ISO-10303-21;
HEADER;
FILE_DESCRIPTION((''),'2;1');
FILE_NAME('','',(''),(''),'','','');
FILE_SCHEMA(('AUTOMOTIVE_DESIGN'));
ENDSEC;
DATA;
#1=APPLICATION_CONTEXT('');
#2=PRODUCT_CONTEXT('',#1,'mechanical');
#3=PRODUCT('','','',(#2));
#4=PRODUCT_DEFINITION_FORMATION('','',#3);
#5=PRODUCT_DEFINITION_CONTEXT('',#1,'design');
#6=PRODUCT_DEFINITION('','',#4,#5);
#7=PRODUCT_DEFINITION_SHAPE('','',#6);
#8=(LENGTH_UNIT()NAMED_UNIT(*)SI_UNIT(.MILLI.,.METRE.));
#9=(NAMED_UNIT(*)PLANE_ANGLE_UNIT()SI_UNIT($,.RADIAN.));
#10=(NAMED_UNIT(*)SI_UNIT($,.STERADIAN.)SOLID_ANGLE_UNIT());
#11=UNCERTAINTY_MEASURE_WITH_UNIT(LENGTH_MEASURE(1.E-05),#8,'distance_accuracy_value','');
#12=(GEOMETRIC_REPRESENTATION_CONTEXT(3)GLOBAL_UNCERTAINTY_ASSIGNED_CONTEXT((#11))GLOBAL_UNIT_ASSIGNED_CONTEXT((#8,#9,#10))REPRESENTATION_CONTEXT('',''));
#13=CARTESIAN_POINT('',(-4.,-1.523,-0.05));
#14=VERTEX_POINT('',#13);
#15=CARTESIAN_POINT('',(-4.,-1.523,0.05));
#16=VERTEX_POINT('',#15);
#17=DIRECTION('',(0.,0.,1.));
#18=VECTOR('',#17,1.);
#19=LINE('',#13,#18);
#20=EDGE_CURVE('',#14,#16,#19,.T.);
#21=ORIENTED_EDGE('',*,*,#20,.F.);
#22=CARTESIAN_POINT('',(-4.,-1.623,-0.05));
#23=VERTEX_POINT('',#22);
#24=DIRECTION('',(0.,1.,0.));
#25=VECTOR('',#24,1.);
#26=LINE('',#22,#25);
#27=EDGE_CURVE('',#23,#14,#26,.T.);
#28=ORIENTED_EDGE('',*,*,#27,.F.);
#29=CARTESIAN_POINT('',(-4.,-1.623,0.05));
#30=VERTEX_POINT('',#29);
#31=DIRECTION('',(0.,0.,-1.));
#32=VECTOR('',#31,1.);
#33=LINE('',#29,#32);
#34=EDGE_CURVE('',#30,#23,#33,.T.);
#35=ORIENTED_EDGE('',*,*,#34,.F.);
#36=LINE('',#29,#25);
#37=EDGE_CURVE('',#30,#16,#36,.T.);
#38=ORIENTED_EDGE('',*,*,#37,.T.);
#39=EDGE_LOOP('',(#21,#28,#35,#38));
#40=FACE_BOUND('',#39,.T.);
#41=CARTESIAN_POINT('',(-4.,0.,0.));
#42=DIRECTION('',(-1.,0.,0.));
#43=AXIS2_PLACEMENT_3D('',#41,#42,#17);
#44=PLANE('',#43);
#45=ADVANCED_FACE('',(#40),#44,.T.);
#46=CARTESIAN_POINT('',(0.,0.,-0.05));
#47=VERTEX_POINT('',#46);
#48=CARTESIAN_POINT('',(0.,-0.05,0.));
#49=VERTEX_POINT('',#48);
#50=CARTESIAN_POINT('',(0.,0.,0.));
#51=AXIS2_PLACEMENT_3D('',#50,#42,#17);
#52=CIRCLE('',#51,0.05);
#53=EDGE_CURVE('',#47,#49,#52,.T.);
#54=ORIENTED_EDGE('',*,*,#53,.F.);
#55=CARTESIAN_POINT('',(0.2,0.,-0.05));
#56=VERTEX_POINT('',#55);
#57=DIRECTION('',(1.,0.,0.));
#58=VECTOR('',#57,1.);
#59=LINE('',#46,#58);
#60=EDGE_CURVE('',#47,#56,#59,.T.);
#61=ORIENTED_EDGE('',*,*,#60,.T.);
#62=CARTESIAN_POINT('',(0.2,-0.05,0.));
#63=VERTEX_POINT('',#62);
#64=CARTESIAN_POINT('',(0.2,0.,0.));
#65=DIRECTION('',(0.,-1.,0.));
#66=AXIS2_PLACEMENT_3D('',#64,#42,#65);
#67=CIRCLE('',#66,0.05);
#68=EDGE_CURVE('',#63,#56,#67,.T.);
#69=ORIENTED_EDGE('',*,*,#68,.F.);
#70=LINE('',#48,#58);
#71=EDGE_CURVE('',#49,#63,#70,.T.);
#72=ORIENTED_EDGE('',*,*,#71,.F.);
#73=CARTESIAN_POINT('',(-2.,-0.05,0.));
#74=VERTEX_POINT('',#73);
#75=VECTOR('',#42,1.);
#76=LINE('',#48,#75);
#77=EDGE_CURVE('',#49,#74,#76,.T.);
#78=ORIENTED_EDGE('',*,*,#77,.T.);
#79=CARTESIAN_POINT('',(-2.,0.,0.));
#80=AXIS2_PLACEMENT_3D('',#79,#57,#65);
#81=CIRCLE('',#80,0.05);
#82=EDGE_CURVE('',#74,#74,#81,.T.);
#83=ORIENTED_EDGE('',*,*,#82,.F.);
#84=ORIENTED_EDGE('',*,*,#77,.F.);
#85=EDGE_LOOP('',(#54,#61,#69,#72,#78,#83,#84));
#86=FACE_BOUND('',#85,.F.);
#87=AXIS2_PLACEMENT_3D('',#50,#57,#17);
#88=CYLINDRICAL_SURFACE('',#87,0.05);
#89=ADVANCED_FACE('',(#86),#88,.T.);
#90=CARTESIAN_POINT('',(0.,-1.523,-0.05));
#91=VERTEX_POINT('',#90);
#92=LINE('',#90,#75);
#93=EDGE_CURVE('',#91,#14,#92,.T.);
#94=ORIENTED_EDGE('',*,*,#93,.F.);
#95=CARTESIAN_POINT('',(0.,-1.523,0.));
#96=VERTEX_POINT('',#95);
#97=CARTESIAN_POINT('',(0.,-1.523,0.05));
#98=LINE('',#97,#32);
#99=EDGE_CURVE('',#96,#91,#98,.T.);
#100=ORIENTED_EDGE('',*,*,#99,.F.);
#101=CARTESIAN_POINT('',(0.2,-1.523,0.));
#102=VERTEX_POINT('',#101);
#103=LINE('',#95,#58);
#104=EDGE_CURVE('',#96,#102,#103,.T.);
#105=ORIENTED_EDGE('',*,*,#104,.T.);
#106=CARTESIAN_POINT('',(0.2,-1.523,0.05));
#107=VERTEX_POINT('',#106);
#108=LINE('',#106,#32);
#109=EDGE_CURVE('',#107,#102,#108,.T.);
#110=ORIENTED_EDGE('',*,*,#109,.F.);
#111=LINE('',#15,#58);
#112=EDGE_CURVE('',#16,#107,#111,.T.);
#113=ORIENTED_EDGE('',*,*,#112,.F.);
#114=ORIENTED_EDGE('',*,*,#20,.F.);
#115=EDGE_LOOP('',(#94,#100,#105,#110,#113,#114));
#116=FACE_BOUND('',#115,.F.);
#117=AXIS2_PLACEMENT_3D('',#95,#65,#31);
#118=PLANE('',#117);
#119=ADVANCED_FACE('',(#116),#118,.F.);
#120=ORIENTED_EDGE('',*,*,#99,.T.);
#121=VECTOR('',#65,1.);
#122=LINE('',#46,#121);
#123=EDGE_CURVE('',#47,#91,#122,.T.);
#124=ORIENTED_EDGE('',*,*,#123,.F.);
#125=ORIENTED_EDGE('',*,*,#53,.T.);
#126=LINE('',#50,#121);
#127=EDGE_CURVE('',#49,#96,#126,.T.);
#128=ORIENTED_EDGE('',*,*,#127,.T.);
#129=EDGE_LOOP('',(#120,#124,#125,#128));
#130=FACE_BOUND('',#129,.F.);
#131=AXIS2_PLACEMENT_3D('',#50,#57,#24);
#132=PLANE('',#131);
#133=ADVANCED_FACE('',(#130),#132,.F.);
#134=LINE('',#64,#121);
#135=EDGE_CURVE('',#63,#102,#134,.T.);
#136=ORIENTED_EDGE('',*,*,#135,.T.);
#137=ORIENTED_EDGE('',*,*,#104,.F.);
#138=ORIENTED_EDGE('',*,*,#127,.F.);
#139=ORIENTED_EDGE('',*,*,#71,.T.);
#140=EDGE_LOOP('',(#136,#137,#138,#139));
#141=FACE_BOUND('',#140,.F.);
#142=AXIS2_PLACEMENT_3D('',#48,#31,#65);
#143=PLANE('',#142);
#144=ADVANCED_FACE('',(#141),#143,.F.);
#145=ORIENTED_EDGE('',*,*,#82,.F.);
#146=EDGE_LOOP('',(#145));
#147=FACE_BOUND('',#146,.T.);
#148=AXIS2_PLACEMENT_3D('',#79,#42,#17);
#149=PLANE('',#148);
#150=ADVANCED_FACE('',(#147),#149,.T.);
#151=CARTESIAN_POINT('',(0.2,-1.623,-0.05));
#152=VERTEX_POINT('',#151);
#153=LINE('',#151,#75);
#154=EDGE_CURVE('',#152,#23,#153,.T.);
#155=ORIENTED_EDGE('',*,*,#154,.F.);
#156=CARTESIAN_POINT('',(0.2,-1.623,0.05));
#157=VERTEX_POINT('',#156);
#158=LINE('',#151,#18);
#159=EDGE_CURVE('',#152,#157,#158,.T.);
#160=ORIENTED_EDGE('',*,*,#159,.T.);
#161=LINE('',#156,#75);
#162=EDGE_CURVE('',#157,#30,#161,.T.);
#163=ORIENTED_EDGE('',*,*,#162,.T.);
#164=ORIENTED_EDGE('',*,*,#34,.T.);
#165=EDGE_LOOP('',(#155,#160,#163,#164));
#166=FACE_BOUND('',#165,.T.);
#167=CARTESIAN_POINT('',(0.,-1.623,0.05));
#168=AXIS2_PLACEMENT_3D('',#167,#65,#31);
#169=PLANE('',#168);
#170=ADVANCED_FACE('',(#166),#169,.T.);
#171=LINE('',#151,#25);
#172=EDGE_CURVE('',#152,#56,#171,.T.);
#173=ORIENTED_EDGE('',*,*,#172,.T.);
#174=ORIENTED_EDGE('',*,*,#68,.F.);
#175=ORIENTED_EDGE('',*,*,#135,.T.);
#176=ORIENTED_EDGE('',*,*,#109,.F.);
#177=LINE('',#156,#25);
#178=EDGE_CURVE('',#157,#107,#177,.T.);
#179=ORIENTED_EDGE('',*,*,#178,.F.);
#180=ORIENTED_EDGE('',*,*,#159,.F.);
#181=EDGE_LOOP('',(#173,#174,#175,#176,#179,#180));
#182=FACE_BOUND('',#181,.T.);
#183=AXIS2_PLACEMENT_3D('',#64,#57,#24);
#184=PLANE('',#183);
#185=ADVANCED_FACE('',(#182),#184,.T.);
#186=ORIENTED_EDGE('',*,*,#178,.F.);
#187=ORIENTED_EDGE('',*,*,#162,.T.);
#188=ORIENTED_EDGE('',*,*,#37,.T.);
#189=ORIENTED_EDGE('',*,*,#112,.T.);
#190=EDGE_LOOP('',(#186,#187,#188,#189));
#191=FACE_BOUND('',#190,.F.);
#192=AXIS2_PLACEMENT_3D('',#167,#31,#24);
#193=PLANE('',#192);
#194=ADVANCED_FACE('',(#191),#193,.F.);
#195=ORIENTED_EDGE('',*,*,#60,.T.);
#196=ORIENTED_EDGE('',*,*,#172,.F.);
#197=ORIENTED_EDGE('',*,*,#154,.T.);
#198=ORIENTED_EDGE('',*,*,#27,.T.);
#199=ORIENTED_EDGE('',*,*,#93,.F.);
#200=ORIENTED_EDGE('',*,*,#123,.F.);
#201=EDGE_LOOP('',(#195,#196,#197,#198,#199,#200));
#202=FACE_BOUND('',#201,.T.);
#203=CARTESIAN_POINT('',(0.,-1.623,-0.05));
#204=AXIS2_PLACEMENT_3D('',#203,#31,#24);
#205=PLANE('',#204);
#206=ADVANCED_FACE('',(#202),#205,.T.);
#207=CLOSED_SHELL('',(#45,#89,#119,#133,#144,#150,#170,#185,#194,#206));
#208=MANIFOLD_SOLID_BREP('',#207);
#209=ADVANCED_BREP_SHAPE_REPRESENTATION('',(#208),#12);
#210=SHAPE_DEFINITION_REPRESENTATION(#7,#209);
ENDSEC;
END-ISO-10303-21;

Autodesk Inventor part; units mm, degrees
ref_plane "YZ Plane" through (0, 0, 0) normal (1, 0, 0) x (0, 1, 0)
ref_plane "XZ Plane" through (0, 0, 0) normal (0, 1, 0) x (-1, 0, 0)
ref_plane "XY Plane" through (0, 0, 0) normal (0, 0, 1) x (1, 0, 0)
sketch "Sketch1" plane through (0, 0, 0) normal (1, 0, 0) x (0, 1, 0)
  circle A0 centre (0, 0) radius 0.05
  line L0 (0, 0) -> (-1.573, 0)
  line L1 (-1.623, 0.05) -> (-1.523, 0.05)
  line L2 (-1.523, 0.05) -> (-1.523, -0.05)
  line L3 (-1.523, -0.05) -> (-1.623, -0.05)
  line L4 (-1.623, -0.05) -> (-1.623, 0.05)
  line L5 (-1.623, 0.05) -> (-1.523, -0.05) construction
  line L6 (-1.523, 0.05) -> (-1.623, -0.05) construction
  line L7 (-1.523, -0.05) -> (0, -0.05)
  point P0 (-0.05, 0)
  point P1 (-1.523, 0)
  dimension "d0" = 0.1
  dimension "d1" = 1.573
  dimension "d2" = 0.1
  dimension "d3" = 0.1
extrude "Extrusion1" add sketch "Sketch1" along normal blind 0.2
sketch "Sketch2" plane through (0, 0, 0) normal (-1, 0, 0) x (0, 0, 1)
  arc A0 (0, -0.05) -> (-0.05, 0) centre (0, 0) ccw projected
  circle A1 centre (0, 0) radius 0.05
  point P0 (-0.05, 0)
  point P1 (0, -0.05)
  dimension "d6" = 0.1
extrude "Extrusion2" add sketch "Sketch2" along normal blind 2
sketch "Sketch3" plane through (0, 0, 0) normal (-1, 0, 0) x (0, 0, 1)
  line L0 (-0.05, -1.623) -> (-0.05, 0) projected
  line L1 (0.05, -1.623) -> (-0.05, -1.623) projected
  line L2 (-0.05, -1.623) -> (0.05, -1.623)
  line L3 (0, -1.523) -> (0.05, -1.523) projected
  line L4 (0.05, -1.623) -> (0.05, -1.523)
  line L5 (0.05, -1.523) -> (-0.05, -1.523)
  line L6 (-0.05, -1.523) -> (-0.05, -1.623)
  point P0 (0, 0)
extrude "Extrusion3" add sketch "Sketch3" along normal blind 4
properties part number "Bone19_11_Fix"
